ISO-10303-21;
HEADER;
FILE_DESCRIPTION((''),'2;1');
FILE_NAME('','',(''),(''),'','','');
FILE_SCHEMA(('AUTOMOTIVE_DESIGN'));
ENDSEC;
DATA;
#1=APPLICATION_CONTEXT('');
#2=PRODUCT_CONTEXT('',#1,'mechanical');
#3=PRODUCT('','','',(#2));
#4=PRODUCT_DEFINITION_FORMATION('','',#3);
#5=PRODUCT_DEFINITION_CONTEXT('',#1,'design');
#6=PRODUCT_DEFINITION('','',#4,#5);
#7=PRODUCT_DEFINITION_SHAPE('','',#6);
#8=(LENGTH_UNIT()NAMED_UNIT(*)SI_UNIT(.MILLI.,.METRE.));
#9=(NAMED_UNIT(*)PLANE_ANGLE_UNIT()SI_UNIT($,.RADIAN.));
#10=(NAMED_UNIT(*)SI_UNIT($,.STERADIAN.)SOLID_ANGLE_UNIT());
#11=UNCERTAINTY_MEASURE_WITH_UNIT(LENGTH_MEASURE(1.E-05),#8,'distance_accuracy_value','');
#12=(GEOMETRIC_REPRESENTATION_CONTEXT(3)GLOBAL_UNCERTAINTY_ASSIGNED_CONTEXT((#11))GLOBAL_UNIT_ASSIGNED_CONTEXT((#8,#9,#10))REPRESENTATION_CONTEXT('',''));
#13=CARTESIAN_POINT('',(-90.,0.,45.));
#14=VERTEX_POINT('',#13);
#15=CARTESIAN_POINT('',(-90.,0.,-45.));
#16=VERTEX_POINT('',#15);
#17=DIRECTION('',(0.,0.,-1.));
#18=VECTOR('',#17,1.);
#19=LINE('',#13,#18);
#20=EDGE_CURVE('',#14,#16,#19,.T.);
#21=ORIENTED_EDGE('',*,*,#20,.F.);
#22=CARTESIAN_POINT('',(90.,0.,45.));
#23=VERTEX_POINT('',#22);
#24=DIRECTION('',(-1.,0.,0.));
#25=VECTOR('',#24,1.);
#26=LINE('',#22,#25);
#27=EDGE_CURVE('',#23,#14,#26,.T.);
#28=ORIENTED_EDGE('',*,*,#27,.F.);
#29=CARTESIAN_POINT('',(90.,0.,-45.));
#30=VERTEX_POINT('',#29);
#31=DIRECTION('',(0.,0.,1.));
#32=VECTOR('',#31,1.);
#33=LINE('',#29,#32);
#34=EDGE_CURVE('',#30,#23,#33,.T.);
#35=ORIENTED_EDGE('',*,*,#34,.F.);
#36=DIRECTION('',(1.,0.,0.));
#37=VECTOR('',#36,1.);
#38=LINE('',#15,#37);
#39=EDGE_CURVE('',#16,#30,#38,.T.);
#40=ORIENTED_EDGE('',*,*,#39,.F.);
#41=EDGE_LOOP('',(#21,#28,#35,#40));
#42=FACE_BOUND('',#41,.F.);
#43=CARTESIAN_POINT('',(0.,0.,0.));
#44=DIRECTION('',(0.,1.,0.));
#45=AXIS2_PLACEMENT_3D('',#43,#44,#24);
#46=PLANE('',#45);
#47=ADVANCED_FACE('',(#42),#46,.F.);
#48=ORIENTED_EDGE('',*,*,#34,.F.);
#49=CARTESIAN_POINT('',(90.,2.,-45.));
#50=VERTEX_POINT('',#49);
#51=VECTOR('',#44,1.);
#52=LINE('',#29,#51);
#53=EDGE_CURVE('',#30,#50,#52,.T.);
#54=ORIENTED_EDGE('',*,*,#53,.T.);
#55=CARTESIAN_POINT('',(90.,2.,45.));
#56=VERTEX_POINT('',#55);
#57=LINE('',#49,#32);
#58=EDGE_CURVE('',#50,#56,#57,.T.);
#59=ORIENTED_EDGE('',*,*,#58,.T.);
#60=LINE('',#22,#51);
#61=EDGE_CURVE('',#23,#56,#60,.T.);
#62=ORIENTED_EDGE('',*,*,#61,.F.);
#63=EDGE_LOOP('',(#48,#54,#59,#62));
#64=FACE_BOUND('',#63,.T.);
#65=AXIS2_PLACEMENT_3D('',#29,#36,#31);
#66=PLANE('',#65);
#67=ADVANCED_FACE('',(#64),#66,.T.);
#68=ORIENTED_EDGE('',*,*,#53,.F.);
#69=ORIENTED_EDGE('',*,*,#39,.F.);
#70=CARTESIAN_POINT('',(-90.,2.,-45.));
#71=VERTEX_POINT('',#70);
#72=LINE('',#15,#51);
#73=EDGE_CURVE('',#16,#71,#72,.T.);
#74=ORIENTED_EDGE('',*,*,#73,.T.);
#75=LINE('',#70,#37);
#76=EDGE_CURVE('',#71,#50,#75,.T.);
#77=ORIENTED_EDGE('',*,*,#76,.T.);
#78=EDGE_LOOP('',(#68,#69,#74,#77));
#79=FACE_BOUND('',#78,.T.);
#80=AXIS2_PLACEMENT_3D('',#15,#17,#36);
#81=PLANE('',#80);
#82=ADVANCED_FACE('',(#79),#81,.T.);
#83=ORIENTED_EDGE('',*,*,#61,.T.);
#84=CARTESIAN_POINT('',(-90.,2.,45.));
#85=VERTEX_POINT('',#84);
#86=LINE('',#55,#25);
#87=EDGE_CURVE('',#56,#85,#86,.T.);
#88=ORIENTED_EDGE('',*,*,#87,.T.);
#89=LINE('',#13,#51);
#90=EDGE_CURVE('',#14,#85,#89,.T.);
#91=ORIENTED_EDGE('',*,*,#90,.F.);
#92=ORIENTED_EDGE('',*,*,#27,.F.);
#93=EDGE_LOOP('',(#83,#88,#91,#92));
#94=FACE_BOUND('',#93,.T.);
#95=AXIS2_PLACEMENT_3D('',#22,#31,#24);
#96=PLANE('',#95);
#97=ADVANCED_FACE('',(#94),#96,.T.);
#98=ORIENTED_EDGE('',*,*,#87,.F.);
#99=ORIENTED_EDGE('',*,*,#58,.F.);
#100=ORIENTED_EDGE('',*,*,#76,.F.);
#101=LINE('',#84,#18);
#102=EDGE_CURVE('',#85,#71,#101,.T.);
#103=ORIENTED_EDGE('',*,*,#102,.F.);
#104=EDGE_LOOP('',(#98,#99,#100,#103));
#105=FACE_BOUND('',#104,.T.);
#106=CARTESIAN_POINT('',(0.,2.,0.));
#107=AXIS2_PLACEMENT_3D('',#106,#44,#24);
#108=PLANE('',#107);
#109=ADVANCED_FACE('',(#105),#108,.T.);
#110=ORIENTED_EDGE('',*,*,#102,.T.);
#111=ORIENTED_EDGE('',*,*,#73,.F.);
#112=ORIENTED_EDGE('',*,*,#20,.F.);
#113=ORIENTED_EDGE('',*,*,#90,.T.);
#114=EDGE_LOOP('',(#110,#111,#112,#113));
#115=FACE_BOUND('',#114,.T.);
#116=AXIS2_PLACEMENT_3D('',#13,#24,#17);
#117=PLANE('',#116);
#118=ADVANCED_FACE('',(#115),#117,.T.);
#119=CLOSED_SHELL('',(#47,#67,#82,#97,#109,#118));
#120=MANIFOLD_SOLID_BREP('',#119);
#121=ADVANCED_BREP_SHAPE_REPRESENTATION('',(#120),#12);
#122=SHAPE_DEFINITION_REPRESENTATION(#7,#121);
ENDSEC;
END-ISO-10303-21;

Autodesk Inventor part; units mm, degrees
ref_plane "YZ Plane" through (0, 0, 0) normal (1, 0, 0) x (0, 1, 0)
ref_plane "XZ Plane" through (0, 0, 0) normal (0, 1, 0) x (-1, 0, 0)
ref_plane "XY Plane" through (0, 0, 0) normal (0, 0, 1) x (1, 0, 0)
sketch "スケッチ1" plane through (0, 0, 0) normal (0, 1, 0) x (-1, 0, 0)
  line L0 (90, -45) -> (-90, -45)
  line L1 (-90, -45) -> (-90, 45)
  line L2 (-90, 45) -> (90, 45)
  line L3 (90, 45) -> (90, -45)
  line L4 (90, -45) -> (-90, 45) construction
  line L5 (-90, -45) -> (90, 45) construction
  point P0 (0, 0)
  dimension "d0" = 180
  dimension "d1" = 90
extrude "押し出し1" add sketch "スケッチ1" along normal blind 2
properties part number "mat"
